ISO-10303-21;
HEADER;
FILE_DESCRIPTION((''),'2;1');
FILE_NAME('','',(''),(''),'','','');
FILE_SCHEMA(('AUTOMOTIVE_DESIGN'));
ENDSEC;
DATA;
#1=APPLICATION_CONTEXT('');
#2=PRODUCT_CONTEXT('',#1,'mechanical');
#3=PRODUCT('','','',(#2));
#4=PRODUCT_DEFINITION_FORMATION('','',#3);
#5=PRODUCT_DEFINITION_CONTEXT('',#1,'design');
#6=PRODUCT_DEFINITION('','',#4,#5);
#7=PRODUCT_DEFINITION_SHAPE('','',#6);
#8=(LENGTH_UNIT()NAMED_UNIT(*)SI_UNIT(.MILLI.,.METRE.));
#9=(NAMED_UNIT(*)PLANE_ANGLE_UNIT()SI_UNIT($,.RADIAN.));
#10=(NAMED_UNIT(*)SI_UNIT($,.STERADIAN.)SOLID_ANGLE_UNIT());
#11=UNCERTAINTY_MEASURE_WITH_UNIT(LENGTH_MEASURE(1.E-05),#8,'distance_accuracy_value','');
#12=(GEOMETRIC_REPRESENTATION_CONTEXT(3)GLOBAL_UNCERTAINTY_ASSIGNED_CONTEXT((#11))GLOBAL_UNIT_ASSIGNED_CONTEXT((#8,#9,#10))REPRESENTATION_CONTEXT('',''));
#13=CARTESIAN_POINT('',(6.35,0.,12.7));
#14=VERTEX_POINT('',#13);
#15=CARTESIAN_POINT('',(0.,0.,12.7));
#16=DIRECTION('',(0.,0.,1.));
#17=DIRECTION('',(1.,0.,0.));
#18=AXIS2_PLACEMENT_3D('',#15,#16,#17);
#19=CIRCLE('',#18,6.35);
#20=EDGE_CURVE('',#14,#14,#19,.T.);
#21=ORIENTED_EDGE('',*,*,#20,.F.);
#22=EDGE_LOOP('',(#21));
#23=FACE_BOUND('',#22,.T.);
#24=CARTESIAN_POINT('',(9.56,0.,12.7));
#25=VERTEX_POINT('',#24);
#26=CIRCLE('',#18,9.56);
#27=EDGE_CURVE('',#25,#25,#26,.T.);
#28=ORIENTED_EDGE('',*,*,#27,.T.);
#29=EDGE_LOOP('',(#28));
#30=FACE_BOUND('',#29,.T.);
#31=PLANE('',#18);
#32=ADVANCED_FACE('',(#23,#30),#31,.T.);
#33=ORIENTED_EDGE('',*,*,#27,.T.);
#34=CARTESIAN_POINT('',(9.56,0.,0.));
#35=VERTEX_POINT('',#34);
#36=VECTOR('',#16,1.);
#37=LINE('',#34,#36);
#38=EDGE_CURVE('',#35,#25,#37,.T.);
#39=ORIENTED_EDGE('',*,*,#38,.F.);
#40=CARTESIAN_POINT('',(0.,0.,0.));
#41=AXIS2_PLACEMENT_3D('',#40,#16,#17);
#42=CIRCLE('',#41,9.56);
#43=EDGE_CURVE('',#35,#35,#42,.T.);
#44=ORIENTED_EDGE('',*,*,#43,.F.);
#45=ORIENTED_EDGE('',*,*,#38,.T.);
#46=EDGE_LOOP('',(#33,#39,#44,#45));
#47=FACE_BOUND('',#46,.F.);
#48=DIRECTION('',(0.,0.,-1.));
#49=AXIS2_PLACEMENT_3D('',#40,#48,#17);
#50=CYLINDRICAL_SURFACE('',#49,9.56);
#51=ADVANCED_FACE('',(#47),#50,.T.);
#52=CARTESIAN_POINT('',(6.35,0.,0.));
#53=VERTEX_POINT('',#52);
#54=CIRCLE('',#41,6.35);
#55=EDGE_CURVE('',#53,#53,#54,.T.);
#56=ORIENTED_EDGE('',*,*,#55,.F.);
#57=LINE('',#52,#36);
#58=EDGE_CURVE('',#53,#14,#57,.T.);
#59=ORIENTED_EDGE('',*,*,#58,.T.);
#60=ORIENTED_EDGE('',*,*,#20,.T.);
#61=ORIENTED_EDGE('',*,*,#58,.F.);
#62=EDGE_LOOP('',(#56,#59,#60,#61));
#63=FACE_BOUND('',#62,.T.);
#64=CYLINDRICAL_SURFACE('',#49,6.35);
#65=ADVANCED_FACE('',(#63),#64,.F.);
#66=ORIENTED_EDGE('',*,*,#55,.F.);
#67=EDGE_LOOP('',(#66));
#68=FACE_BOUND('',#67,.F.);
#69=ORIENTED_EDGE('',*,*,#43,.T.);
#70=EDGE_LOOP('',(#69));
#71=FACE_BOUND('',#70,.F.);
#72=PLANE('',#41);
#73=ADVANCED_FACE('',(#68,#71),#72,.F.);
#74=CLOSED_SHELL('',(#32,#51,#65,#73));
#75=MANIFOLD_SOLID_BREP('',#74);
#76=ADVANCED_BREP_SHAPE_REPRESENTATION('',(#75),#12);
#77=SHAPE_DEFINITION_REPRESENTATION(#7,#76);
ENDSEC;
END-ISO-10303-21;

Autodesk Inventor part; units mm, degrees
ref_plane "YZ Plane" through (0, 0, 0) normal (1, 0, 0) x (0, 1, 0)
ref_plane "XZ Plane" through (0, 0, 0) normal (0, 1, 0) x (-1, 0, 0)
ref_plane "XY Plane" through (0, 0, 0) normal (0, 0, 1) x (1, 0, 0)
sketch "Sketch1" plane through (0, 0, 0) normal (0, 0, 1) x (1, 0, 0)
  circle A0 centre (0, 0) radius 9.56
  circle A1 centre (0, 0) radius 6.35
  dimension "d0" = 19.12
  dimension "d1" = 12.7
extrude "Extrusion1" add sketch "Sketch1" along normal blind 12.7
properties part number "Flange Bearing" material "Brass, Soft Yellow"
